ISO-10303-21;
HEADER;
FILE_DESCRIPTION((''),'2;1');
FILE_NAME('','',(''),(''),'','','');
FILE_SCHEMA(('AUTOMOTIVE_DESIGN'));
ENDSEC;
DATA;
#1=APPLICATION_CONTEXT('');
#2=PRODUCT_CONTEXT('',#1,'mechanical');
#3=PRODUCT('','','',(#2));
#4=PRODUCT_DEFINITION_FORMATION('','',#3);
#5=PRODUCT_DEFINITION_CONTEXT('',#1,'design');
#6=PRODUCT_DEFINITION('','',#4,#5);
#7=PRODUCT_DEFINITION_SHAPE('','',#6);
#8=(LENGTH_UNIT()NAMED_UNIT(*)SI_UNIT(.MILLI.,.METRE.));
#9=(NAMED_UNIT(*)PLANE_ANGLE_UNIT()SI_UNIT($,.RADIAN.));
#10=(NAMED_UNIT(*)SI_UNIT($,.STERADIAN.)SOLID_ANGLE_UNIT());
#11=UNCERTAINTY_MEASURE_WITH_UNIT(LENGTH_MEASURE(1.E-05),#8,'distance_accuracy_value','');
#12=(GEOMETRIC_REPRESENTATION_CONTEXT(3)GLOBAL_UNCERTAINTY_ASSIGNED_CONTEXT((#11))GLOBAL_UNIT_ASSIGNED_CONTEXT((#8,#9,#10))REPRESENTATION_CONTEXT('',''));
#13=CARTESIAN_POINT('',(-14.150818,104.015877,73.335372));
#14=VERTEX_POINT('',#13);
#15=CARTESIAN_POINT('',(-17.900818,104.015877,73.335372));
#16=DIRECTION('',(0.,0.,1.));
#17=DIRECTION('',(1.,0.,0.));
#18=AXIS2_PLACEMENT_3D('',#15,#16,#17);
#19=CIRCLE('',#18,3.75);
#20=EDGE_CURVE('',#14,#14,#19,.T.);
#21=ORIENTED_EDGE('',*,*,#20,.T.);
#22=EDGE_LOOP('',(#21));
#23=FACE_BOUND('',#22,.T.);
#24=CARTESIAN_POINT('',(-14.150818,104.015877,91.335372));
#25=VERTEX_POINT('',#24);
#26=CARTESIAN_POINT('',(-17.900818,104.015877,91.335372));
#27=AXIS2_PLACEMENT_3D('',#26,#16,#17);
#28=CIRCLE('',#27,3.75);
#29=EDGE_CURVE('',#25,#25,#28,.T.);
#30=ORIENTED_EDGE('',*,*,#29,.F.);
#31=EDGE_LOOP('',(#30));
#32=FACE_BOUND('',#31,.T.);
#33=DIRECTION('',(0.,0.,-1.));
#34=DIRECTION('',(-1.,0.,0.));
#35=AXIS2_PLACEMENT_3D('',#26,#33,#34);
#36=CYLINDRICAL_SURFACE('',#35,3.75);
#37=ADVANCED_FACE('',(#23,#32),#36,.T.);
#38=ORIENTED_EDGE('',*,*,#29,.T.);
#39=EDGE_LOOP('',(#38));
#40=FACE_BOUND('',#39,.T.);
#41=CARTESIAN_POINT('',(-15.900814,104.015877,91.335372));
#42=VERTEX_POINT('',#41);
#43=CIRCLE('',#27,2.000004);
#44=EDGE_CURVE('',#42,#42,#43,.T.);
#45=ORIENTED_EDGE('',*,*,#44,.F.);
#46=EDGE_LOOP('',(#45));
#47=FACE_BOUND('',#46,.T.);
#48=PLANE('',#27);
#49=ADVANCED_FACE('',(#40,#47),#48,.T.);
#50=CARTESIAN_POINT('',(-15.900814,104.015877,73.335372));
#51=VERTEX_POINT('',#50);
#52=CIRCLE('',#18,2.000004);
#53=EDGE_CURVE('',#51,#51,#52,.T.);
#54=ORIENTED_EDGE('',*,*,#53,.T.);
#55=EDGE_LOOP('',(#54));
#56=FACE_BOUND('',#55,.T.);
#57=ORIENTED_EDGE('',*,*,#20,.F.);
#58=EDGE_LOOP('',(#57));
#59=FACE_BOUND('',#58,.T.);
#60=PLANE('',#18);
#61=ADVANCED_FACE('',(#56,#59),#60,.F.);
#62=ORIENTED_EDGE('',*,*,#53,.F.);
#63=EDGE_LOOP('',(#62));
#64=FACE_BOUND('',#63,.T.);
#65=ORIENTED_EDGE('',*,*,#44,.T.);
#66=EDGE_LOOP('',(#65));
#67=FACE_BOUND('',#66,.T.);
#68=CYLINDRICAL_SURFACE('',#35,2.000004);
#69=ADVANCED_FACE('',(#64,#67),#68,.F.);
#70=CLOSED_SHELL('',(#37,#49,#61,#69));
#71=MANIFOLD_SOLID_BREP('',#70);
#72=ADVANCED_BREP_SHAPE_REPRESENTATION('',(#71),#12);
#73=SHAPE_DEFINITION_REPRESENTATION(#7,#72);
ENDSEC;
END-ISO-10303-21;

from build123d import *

# Parameters (mm, degrees)
SKETCH1_R           = 3.75
SKETCH1_R_2         = 2.00000381
BOSS_EXTRUDE1_DEPTH = 18


with BuildPart() as part:
    # Sketch1 → Boss-Extrude1 (new body)
    with BuildSketch(Plane.XY.offset(73.33537242)):
        with Locations((-17.900817576, 104.015877234)):
            Circle(SKETCH1_R)
        with Locations((-17.900817576, 104.015877234)):
            Circle(SKETCH1_R_2, mode=Mode.SUBTRACT)
    extrude(amount=BOSS_EXTRUDE1_DEPTH)


solid = part.part
